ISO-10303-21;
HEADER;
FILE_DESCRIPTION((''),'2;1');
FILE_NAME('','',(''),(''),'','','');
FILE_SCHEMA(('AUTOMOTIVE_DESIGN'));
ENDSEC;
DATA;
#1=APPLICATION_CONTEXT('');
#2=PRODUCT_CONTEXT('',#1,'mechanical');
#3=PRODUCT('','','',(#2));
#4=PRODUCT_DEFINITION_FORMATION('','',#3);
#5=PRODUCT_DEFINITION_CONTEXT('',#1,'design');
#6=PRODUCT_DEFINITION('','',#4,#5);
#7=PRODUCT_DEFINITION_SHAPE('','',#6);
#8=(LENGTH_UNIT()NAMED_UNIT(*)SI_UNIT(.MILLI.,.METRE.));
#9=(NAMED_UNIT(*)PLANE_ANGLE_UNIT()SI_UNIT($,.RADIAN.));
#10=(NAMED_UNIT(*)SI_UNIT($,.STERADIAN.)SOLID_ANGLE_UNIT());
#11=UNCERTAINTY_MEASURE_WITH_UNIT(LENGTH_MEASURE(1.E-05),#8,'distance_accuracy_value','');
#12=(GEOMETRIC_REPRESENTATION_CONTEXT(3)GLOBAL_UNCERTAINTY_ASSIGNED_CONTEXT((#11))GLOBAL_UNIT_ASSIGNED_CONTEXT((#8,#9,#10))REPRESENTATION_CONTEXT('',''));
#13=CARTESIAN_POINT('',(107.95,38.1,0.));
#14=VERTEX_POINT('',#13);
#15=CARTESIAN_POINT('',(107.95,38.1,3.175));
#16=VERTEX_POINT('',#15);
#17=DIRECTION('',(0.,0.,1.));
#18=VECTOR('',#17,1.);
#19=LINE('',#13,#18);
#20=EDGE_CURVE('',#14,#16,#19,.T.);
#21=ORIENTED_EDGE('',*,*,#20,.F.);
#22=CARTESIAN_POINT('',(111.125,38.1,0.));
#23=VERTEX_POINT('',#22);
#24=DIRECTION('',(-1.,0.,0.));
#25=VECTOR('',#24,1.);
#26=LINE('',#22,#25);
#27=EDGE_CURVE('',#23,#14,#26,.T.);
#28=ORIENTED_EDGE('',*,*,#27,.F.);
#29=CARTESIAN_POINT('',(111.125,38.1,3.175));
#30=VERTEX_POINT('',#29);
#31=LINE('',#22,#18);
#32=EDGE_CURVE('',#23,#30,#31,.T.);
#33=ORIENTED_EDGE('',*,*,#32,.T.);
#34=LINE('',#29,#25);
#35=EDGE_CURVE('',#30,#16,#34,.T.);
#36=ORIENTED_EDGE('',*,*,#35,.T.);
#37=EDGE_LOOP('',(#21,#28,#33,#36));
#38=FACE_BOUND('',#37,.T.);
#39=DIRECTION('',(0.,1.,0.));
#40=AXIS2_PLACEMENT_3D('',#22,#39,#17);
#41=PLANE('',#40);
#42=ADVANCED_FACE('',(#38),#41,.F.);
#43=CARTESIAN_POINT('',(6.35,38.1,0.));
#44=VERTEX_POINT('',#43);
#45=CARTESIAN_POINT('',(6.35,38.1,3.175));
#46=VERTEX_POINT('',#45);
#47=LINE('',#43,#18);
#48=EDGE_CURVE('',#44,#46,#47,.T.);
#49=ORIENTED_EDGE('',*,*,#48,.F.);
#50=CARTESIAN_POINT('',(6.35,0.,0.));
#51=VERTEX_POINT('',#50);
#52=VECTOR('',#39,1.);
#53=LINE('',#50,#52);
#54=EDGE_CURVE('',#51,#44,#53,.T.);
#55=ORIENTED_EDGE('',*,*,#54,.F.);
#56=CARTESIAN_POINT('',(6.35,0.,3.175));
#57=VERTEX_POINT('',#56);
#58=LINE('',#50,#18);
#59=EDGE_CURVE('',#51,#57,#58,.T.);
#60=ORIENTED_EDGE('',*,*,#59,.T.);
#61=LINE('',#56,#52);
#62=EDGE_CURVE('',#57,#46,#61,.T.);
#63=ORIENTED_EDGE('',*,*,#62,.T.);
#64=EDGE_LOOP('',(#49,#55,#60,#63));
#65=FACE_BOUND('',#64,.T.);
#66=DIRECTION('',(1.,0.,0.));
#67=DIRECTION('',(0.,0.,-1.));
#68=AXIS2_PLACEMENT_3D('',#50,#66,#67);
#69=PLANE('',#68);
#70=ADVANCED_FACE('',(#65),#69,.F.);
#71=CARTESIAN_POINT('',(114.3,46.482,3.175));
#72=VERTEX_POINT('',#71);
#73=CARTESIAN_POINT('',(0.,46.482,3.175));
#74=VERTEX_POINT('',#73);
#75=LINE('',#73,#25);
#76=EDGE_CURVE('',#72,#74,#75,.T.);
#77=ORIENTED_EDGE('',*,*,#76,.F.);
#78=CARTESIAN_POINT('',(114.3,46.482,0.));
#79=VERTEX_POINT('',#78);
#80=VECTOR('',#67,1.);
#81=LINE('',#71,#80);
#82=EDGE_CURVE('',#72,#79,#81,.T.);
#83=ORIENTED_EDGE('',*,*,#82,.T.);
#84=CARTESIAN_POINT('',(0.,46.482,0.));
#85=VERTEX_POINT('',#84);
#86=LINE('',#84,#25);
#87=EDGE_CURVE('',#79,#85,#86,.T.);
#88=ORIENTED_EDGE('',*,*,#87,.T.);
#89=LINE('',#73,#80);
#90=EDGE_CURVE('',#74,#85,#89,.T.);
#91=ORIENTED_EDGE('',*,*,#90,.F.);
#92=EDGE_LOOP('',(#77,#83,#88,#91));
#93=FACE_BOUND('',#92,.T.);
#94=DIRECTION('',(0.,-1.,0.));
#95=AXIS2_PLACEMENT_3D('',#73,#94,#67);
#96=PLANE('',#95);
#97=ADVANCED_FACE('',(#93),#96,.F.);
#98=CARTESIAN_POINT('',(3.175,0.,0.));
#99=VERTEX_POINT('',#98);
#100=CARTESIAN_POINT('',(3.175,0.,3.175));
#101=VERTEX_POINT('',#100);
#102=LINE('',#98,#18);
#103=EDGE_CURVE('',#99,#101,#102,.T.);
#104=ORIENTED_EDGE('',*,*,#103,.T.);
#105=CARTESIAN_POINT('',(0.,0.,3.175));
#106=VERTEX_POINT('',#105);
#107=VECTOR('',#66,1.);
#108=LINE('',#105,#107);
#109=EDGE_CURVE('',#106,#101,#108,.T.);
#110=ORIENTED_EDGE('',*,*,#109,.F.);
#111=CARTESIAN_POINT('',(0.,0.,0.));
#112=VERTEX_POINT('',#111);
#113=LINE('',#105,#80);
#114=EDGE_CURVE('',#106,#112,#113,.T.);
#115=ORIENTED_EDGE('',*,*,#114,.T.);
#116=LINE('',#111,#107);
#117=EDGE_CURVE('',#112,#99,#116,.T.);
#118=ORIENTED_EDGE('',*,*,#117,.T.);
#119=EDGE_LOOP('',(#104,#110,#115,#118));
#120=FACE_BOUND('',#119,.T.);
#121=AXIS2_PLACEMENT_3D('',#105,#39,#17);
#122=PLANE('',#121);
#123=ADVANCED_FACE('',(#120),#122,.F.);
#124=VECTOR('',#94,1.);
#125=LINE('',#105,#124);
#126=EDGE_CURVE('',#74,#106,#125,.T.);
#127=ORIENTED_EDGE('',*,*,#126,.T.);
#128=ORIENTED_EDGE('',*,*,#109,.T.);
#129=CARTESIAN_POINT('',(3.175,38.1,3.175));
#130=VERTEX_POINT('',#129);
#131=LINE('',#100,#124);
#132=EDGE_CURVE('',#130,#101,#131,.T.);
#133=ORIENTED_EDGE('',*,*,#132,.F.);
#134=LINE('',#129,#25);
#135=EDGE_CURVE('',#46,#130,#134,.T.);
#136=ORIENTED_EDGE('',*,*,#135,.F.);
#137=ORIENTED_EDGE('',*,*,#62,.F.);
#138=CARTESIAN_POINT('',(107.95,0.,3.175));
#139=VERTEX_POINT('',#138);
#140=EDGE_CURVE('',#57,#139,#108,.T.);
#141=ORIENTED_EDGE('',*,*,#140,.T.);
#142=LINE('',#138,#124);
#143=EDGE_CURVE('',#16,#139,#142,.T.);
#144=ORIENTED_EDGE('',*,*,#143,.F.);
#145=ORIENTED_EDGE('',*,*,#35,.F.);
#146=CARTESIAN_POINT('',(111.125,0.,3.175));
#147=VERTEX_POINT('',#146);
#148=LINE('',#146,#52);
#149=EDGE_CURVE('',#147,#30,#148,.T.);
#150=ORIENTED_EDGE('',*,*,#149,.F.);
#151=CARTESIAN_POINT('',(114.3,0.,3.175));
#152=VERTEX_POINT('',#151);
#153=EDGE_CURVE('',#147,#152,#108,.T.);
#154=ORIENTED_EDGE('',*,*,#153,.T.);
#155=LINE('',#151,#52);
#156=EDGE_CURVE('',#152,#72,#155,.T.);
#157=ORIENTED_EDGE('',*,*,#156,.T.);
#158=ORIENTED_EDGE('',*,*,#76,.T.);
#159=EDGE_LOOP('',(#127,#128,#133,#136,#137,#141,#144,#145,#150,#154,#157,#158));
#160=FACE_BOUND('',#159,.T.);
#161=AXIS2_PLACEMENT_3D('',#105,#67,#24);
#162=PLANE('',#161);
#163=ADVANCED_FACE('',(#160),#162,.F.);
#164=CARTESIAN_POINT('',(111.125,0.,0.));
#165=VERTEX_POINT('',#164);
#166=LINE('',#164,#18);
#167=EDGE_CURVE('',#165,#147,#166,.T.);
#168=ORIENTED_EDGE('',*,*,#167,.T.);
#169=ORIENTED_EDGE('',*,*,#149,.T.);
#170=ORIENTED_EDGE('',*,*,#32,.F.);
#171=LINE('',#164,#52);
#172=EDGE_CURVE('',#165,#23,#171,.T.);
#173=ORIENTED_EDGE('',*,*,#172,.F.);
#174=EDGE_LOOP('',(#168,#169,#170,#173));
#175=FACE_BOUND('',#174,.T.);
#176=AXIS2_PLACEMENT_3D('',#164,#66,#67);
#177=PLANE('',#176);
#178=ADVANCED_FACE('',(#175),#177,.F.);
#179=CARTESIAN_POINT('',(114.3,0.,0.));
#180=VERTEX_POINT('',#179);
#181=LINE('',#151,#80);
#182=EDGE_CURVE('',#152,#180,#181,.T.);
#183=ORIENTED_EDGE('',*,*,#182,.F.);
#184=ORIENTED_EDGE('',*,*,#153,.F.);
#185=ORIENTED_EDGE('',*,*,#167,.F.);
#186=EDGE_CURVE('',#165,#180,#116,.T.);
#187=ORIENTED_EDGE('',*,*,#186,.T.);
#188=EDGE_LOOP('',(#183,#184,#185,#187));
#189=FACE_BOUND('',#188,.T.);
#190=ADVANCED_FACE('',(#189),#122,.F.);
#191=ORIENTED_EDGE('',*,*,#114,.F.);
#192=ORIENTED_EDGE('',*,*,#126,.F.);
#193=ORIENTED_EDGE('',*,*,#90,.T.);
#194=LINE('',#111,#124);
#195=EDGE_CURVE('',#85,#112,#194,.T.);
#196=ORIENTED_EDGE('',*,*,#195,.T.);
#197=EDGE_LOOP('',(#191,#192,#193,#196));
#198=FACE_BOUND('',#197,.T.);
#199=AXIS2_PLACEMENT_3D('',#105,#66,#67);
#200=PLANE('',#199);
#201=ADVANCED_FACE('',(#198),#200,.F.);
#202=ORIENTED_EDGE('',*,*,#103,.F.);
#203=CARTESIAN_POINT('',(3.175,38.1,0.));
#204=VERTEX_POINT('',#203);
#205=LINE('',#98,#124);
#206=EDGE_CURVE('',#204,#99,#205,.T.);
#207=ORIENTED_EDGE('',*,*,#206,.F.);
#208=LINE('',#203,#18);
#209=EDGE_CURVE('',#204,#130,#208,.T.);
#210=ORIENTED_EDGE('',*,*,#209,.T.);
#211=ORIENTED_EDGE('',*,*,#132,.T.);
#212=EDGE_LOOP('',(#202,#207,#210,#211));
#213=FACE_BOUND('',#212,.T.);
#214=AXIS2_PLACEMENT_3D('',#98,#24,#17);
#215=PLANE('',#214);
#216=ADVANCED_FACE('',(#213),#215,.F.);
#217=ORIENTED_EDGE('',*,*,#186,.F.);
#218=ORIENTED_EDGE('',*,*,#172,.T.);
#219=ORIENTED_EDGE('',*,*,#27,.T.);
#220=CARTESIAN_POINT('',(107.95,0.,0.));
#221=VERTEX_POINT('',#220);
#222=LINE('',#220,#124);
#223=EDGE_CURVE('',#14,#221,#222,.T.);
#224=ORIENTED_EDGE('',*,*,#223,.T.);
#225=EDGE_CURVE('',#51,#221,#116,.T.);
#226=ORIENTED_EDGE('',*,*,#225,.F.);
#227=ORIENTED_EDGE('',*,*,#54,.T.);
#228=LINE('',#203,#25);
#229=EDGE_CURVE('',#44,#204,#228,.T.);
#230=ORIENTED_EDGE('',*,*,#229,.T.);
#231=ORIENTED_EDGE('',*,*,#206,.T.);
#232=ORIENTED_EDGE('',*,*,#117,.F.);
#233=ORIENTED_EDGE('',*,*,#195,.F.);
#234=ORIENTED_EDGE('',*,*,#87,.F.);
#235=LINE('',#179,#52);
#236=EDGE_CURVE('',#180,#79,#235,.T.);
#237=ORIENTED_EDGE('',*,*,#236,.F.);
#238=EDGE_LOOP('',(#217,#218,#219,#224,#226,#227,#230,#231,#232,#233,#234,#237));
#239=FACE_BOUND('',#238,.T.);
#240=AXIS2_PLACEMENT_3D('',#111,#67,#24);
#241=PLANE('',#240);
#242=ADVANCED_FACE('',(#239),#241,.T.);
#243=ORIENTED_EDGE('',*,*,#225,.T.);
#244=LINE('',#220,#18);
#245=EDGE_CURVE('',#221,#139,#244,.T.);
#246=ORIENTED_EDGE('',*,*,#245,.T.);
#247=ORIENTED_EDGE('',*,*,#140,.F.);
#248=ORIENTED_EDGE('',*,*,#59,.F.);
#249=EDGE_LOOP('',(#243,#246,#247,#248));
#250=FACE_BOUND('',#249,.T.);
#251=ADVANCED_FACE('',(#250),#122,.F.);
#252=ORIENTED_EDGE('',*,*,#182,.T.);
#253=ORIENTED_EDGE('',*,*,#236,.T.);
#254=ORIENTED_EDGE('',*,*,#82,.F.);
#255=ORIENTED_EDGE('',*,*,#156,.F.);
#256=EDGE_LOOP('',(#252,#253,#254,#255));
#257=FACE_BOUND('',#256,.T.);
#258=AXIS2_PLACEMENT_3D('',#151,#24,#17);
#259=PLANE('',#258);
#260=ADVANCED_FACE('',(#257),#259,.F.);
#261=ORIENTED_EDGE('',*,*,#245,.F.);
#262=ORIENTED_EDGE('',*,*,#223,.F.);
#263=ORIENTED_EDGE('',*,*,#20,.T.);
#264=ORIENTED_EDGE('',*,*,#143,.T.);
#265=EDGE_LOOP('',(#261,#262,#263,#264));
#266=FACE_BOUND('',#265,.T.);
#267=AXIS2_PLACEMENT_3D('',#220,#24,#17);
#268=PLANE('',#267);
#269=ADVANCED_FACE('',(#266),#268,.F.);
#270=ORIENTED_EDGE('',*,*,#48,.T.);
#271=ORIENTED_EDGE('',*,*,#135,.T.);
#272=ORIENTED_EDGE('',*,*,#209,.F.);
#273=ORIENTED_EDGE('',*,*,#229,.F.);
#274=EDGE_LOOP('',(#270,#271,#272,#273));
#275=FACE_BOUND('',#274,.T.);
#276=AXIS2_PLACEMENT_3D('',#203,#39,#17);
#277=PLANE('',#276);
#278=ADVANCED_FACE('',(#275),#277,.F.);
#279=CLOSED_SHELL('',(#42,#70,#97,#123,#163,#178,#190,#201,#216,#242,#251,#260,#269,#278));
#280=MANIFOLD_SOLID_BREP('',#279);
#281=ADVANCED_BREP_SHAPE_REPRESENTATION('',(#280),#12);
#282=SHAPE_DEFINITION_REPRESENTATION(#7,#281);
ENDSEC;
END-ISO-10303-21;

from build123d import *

# Parameters (mm, degrees)
SKETCH1_W           = 114.3
SKETCH1_H           = 46.482
BOSS_EXTRUDE1_DEPTH = 3.175
SKETCH2_W           = 3.175
SKETCH2_H           = 38.1
CUT_EXTRUDE1_DEPTH  = 4.175


with BuildPart() as part:
    # Sketch1 → Boss-Extrude1 (new body)
    with BuildSketch(Plane.XY):
        with Locations((57.15, 23.241)):
            Rectangle(SKETCH1_W, SKETCH1_H)
    extrude(amount=BOSS_EXTRUDE1_DEPTH)

    # Sketch2 → Cut-Extrude1 (cut, through all)
    with BuildSketch(Plane.XY.offset(3.175)):
        with Locations((4.7625, 19.05)):
            Rectangle(SKETCH2_W, SKETCH2_H)
        with Locations((109.5375, 19.05)):
            Rectangle(SKETCH2_W, SKETCH2_H)
    extrude(amount=-CUT_EXTRUDE1_DEPTH, mode=Mode.SUBTRACT)


solid = part.part
